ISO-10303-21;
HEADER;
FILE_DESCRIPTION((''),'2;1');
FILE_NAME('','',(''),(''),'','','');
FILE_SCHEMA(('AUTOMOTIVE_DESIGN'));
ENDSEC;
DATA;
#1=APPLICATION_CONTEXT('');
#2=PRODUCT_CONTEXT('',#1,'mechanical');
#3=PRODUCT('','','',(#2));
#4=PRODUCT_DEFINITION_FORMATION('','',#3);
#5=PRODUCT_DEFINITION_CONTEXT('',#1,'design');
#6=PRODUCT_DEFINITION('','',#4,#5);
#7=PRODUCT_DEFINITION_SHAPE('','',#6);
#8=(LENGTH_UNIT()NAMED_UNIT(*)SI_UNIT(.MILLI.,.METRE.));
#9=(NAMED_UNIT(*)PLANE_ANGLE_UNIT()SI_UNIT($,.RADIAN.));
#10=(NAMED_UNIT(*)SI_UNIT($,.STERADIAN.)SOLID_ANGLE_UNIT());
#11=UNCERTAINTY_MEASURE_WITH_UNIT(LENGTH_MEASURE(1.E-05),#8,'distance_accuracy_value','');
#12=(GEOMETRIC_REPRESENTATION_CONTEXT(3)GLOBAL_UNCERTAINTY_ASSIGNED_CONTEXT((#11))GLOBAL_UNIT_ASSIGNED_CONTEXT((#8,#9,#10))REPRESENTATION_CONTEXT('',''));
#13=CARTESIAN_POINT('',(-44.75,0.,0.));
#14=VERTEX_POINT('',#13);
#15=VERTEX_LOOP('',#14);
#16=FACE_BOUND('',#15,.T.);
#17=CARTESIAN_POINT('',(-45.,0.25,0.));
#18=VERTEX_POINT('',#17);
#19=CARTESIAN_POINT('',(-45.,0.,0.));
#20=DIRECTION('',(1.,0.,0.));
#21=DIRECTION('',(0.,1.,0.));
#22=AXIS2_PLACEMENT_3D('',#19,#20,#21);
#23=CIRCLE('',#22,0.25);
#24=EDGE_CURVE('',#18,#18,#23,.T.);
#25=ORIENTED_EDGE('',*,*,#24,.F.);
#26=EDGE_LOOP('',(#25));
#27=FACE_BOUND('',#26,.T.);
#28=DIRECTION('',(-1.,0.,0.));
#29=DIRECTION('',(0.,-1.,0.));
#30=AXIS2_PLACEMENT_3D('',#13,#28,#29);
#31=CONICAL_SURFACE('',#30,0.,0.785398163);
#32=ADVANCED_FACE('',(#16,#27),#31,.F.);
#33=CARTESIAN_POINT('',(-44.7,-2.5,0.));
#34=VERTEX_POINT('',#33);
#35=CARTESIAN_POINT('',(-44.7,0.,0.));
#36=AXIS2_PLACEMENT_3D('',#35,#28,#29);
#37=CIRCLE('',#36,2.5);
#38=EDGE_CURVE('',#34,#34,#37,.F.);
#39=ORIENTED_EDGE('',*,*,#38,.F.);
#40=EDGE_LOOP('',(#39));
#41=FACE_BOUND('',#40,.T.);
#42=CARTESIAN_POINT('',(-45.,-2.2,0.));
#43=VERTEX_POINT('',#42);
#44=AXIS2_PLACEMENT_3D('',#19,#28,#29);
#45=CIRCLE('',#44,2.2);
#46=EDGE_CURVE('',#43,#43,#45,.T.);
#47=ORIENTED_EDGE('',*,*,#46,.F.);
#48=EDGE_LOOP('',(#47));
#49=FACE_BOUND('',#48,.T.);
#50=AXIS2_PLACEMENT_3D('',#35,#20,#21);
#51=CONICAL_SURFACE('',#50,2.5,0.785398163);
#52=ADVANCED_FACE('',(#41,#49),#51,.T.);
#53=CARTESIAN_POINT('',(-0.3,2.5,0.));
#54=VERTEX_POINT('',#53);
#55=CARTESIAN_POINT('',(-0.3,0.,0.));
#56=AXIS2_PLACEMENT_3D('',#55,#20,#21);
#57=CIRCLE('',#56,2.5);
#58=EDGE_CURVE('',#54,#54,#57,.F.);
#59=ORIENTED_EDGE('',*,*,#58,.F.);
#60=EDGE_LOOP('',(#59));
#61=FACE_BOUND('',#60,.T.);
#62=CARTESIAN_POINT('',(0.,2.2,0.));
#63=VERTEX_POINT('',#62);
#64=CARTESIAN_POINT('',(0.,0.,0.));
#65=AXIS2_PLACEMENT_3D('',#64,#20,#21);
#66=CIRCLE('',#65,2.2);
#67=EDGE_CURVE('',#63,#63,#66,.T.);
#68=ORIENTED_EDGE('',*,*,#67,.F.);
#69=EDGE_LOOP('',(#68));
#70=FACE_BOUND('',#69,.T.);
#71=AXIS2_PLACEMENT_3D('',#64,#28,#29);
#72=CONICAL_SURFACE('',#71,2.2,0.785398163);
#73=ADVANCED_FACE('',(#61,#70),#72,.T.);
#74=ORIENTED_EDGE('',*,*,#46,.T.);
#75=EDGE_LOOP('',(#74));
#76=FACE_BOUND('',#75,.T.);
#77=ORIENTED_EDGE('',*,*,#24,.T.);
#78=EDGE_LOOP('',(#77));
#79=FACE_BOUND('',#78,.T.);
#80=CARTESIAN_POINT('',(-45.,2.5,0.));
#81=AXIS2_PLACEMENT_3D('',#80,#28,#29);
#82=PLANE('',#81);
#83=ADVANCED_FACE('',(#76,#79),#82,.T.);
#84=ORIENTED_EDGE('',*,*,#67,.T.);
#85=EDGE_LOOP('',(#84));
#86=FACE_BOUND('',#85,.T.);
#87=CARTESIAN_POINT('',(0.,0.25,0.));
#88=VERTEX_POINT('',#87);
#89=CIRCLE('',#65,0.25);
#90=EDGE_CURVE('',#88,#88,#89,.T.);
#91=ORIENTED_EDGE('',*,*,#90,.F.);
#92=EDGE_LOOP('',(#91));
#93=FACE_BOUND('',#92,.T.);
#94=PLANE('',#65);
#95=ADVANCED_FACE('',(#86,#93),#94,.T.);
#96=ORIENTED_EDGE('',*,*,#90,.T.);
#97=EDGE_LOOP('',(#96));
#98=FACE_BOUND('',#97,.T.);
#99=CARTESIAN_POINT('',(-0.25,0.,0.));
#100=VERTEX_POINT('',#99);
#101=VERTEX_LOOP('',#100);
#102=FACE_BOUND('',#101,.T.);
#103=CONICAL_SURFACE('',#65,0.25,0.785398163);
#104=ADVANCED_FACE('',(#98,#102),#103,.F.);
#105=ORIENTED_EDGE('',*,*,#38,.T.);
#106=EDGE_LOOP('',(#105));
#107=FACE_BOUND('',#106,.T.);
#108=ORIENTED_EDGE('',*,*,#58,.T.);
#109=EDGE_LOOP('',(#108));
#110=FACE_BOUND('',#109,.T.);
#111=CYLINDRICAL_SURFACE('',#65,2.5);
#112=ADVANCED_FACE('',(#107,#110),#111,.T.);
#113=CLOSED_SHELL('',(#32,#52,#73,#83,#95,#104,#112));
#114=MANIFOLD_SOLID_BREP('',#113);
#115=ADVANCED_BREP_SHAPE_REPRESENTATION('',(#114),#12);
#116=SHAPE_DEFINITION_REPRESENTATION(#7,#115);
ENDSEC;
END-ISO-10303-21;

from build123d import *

# Parameters (mm, degrees)
SKETCH1_W     = 45
SKETCH1_H     = 2.5
CHAMFER1_SIZE = 0.3


with BuildPart() as part:
    # Sketch1 → Revolve1 (revolve)
    with BuildSketch(Plane.XY):
        with Locations((-22.5, 1.25)):
            Rectangle(SKETCH1_W, SKETCH1_H)
    revolve(axis=Axis((0, 0, 0), (-1, 0, 0)))

    # Chamfer1
    chamfer1_edges = [part.edges().sort_by_distance(p)[0] for p in [
        (-45, -2.5, 0),
        (0, -2.5, 0),
    ]]
    chamfer(chamfer1_edges, length=CHAMFER1_SIZE)

    # Sketch2 → Cut-Revolve1 (revolve, cut)
    with BuildSketch(Plane.XY, mode=Mode.PRIVATE) as cut_revolve1_sk:
        Polygon((-45, 0), (-44.75, 0), (-45, 0.25), align=None)
        Polygon((0, 0), (0, 0.25), (-0.25, 0), align=None)
    revolve(cut_revolve1_sk.sketch.rotate(Axis((0, 0, 0), (-1, 0, 0)), 180), axis=Axis((0, 0, 0), (-1, 0, 0)), mode=Mode.SUBTRACT)


solid = part.part
